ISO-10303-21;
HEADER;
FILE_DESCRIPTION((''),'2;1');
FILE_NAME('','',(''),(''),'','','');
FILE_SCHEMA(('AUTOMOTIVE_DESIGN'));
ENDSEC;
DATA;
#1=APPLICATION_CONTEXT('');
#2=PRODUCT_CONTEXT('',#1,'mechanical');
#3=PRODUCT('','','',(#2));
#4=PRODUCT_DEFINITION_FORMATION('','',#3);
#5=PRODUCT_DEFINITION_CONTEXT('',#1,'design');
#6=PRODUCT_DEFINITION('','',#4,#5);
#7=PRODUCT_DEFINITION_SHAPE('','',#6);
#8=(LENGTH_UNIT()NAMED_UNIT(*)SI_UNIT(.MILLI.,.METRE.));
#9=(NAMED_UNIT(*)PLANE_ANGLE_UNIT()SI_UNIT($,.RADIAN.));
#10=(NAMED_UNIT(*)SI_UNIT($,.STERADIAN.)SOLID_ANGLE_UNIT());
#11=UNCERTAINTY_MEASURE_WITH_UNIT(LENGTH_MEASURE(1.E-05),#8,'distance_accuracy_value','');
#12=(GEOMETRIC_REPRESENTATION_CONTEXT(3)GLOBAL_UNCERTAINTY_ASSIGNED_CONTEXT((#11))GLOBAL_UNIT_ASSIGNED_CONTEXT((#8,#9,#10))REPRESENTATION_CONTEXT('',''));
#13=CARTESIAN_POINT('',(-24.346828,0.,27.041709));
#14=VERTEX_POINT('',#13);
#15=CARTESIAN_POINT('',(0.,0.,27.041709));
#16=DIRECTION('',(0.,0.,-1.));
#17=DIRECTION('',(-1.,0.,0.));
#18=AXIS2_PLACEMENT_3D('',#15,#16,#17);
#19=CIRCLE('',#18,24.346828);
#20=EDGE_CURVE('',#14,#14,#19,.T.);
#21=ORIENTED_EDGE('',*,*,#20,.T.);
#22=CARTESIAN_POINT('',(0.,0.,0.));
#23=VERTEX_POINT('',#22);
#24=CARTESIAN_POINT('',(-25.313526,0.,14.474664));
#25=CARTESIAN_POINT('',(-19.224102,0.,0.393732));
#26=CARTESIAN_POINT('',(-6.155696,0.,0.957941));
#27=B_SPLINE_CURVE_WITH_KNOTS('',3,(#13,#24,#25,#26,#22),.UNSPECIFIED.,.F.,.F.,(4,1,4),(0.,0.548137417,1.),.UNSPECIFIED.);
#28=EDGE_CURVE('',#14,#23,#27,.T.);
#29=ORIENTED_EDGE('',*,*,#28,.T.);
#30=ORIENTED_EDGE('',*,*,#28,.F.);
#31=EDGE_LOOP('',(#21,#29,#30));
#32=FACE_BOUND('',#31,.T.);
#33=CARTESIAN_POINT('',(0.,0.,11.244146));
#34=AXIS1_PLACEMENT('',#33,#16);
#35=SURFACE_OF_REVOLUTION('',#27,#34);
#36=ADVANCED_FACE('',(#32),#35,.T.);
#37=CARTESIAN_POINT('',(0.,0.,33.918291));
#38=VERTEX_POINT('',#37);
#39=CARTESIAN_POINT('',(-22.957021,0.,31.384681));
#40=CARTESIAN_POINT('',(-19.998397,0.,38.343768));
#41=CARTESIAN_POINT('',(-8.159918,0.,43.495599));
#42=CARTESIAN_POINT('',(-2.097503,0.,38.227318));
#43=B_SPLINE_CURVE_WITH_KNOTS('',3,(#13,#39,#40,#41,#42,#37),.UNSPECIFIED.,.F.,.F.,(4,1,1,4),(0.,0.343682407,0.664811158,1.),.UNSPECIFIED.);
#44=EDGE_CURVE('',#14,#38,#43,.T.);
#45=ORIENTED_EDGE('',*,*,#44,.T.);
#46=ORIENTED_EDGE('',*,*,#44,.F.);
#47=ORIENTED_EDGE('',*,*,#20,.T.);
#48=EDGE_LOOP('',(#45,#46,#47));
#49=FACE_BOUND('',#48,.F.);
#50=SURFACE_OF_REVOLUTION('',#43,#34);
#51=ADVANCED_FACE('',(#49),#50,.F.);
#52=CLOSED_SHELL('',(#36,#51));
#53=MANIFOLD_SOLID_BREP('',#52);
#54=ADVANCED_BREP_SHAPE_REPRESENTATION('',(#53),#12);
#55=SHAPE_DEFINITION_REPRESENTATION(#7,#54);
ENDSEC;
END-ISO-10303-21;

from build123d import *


with BuildPart() as f1:
    # F0 (on Front) → F1 (revolve)
    with BuildSketch(Plane.XZ):
        with BuildLine():
            add(Edge.make_bspline(
                [(-24.3468284607, 27.0417090505), (-22.9570211456, 31.3846808231), (-19.9983965423, 38.3437678045), (-8.1599178351, 43.4955986428), (-2.0975030092, 38.2273184232), (0, 33.9182913303)],
                knots=[0, 0, 0, 0, 0.3436824068, 0.6648111579, 1, 1, 1, 1], degree=3))
            add(Edge.make_bspline(
                [(-24.3468284607, 27.0417090505), (-25.3135258298, 14.4746635976), (-19.2241021971, 0.3937318513), (-6.1556956995, 0.9579407687), (0, 0)],
                knots=[0, 0, 0, 0, 0.5481374173, 1, 1, 1, 1], degree=3))
            Line((0, 0), (0, 33.9182913303))
        make_face()
    revolve(axis=Axis((0, 0, 11.2441461533), (0, 0, -1)))


solid = f1.part
